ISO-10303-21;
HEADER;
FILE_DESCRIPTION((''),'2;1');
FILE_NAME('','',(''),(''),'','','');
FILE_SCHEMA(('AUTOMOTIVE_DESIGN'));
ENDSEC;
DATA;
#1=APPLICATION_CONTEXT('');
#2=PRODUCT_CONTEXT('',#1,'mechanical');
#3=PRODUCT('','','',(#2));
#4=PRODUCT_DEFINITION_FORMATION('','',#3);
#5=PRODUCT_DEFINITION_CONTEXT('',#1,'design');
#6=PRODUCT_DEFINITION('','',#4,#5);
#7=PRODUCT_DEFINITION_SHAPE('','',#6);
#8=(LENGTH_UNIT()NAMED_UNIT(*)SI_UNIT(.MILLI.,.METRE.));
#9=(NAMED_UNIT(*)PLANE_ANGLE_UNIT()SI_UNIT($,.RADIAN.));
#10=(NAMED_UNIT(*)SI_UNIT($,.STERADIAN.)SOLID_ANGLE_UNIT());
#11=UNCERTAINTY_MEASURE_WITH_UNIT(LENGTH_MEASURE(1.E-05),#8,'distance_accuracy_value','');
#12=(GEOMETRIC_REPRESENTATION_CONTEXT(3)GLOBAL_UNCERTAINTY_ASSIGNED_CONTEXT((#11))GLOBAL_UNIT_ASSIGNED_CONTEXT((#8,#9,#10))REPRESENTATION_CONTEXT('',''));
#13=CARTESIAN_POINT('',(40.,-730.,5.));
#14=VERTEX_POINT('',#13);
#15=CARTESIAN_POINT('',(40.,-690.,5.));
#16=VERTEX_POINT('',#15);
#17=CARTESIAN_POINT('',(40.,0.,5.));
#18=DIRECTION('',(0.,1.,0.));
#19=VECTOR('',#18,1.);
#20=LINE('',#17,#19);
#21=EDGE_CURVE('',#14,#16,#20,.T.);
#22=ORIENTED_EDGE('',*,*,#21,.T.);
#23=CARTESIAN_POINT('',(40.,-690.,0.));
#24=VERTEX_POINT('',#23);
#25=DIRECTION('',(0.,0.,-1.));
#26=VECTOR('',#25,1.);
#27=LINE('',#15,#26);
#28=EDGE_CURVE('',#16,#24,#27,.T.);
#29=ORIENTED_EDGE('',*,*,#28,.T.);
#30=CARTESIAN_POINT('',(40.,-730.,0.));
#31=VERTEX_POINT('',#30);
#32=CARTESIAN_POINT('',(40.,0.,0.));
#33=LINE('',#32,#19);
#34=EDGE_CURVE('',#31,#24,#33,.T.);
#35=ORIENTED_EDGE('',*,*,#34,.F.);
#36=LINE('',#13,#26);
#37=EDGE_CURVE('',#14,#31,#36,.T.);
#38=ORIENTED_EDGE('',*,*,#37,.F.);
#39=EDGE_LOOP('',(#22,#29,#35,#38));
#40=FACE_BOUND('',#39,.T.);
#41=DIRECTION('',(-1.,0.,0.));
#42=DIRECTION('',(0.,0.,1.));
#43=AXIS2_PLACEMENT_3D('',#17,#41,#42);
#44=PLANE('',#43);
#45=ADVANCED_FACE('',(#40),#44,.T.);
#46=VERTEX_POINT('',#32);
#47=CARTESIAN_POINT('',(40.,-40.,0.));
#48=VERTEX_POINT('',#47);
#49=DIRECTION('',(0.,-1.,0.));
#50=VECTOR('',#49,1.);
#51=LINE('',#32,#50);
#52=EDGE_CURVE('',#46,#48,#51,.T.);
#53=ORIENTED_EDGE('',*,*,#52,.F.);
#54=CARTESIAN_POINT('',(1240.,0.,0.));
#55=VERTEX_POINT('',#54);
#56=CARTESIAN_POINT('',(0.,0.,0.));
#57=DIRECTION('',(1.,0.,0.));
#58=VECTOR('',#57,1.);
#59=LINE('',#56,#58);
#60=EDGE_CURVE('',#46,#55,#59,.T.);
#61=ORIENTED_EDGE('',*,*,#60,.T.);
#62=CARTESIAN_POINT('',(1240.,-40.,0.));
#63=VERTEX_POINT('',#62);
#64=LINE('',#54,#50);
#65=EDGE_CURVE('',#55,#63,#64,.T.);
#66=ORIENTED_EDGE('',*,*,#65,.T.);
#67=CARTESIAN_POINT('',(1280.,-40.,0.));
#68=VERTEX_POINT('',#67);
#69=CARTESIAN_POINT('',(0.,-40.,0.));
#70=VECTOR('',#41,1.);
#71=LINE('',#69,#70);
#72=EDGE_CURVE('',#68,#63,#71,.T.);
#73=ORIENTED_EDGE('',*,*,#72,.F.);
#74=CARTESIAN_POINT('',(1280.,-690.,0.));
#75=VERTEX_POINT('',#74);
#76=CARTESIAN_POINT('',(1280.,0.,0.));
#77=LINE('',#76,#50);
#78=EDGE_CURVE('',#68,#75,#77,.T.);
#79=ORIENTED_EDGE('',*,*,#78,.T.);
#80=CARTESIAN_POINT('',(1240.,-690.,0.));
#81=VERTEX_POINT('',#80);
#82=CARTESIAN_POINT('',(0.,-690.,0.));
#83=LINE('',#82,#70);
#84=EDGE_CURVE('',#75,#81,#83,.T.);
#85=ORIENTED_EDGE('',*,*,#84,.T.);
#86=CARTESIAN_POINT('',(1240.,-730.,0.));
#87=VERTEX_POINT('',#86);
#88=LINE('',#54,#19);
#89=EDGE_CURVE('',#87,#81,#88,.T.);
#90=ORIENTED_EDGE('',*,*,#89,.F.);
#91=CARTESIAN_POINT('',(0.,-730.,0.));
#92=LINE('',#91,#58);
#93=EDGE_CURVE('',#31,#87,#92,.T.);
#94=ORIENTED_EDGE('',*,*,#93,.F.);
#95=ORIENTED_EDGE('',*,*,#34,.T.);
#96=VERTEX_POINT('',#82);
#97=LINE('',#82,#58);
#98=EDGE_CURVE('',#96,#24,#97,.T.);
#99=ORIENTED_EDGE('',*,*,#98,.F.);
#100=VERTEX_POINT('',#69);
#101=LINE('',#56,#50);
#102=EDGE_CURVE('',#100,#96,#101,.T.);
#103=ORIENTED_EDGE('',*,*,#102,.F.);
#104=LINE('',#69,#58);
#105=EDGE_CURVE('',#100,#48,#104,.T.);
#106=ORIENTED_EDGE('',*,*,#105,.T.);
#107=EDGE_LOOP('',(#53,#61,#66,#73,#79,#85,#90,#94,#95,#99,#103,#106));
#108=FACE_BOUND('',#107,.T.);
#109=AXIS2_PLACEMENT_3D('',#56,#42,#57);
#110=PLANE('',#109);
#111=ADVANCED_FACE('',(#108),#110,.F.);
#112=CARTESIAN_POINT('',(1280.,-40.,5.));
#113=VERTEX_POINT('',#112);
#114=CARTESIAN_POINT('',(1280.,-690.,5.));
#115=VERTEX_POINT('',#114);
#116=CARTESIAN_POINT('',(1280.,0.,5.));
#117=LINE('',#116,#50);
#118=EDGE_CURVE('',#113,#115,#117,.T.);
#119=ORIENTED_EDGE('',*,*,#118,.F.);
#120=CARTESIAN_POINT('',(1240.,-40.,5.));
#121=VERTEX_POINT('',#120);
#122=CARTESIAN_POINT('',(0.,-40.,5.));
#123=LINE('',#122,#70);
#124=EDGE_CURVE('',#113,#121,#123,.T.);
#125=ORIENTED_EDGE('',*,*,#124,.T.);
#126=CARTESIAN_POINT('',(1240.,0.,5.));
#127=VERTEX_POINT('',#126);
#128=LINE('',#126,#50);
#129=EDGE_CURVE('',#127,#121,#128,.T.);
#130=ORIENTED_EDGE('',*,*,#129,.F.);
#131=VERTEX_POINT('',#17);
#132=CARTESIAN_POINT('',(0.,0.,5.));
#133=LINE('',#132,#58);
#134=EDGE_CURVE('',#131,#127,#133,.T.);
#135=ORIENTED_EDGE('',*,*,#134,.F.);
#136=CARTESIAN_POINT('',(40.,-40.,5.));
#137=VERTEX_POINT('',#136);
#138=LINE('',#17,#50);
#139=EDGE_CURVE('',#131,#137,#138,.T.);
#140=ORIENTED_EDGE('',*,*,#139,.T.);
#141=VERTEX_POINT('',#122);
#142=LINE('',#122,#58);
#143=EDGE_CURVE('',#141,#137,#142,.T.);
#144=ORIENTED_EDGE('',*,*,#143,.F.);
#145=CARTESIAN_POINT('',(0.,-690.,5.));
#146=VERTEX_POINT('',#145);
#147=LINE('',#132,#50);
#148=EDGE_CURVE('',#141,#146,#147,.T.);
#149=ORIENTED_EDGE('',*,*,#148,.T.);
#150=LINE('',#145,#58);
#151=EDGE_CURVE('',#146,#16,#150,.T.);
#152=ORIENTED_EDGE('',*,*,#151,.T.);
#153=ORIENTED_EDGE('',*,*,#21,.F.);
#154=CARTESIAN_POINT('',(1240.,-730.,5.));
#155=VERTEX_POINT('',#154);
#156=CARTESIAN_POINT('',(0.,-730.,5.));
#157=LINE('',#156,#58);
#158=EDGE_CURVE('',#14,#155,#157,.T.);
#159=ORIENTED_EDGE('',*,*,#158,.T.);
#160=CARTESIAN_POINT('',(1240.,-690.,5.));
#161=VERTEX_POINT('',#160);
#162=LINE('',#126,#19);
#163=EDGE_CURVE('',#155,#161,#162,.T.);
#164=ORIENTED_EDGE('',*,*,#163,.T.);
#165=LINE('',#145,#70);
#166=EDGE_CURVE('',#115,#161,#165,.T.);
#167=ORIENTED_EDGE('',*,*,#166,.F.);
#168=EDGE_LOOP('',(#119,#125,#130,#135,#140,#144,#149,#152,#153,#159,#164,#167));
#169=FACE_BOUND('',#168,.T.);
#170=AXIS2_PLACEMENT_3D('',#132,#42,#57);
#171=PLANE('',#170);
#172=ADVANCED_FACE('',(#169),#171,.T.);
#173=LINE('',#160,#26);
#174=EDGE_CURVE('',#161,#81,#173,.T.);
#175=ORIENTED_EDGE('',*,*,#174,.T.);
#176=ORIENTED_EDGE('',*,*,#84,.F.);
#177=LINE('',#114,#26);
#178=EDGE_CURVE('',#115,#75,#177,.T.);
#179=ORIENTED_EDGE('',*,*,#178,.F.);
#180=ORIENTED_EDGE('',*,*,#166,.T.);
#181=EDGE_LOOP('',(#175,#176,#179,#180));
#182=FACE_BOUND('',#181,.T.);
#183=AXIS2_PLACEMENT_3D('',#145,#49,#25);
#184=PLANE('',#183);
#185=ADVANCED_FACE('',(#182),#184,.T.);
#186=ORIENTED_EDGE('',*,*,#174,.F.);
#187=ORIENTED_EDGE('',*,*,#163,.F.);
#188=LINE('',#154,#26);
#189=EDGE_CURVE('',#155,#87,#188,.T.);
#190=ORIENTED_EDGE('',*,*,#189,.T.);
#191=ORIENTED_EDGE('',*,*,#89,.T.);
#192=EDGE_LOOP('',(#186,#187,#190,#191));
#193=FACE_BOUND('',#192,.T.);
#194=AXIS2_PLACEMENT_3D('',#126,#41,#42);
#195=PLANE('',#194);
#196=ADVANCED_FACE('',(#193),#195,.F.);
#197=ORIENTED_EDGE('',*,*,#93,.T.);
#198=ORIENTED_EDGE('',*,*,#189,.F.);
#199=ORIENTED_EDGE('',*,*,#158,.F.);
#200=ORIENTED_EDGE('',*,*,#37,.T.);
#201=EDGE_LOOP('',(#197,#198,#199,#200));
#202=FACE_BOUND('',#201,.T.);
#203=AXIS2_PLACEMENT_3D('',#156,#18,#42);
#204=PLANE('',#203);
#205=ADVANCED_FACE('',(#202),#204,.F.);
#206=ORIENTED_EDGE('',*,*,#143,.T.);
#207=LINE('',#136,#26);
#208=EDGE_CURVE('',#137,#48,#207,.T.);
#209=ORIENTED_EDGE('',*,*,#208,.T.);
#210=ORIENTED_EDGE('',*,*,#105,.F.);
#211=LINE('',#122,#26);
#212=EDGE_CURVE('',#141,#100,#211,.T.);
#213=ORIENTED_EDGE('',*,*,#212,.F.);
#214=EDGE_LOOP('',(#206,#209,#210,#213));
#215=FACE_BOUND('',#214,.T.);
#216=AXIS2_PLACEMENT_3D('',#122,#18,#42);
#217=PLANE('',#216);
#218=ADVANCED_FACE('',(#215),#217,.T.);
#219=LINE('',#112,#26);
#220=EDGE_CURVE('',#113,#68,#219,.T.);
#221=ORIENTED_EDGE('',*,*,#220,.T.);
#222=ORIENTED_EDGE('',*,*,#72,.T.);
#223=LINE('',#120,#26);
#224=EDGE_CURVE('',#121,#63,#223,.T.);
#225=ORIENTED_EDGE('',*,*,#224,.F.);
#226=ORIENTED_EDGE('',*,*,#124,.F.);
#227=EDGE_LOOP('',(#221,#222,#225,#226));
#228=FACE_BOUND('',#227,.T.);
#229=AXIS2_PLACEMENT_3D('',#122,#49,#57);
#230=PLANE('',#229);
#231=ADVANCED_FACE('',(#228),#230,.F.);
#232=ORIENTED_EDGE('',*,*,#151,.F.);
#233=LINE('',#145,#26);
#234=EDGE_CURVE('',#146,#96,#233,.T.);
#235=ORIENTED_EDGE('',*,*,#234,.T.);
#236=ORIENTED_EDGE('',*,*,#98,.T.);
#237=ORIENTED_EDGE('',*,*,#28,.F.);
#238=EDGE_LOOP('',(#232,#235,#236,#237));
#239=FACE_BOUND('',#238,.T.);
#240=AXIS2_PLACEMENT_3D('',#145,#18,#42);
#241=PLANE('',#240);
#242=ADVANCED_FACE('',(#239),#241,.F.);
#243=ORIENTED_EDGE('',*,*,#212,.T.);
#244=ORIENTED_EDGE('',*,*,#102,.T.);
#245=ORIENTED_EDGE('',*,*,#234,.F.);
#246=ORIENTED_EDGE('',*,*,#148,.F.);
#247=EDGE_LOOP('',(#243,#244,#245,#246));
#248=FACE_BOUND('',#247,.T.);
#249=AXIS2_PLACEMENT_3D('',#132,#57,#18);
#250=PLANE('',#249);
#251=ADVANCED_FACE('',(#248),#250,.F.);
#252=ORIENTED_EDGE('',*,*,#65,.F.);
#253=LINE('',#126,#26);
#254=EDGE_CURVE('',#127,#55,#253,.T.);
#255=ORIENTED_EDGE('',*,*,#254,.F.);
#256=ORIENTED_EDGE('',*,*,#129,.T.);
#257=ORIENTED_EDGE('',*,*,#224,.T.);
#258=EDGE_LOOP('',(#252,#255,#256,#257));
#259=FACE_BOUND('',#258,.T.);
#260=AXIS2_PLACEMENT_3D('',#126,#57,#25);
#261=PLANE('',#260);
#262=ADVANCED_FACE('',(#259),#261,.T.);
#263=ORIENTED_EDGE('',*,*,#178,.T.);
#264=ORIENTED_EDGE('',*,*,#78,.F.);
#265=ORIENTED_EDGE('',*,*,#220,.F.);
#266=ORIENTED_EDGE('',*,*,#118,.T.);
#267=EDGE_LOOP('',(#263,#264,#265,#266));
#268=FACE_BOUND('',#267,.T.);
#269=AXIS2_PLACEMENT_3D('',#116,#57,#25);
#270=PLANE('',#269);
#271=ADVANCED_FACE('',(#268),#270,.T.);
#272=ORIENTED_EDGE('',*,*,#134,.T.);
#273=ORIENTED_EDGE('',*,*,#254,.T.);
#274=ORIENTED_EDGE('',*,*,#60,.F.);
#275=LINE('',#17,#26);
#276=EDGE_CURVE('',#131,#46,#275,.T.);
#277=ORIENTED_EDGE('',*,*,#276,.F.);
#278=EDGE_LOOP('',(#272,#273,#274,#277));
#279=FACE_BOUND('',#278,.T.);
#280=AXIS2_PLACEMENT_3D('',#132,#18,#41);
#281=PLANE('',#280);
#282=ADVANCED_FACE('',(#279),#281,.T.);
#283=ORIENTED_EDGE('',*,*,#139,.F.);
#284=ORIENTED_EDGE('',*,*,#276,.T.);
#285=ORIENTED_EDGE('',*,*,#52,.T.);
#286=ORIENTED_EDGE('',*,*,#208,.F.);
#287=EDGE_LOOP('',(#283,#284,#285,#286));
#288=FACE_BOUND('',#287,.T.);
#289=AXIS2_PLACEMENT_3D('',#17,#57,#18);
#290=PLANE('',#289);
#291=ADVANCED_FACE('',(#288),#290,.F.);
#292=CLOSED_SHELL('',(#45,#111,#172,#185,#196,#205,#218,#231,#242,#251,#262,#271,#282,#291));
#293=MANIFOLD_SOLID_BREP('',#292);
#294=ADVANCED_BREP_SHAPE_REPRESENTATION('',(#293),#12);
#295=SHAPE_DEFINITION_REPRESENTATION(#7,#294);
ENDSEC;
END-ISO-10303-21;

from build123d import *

# Parameters (mm, degrees)
BOSS_EXTRU_1_DEPTH = 5


with BuildPart() as part:
    # Esquisse1 → Boss.-Extru.1 (new body)
    with BuildSketch(Plane.XY):
        Polygon((1240, 0), (40, 0), (40, -40), (0, -40), (0, -690), (40, -690), (40, -730), (1240, -730), (1240, -690), (1280, -690), (1280, -40), (1240, -40), align=None)
    extrude(amount=BOSS_EXTRU_1_DEPTH)


solid = part.part
